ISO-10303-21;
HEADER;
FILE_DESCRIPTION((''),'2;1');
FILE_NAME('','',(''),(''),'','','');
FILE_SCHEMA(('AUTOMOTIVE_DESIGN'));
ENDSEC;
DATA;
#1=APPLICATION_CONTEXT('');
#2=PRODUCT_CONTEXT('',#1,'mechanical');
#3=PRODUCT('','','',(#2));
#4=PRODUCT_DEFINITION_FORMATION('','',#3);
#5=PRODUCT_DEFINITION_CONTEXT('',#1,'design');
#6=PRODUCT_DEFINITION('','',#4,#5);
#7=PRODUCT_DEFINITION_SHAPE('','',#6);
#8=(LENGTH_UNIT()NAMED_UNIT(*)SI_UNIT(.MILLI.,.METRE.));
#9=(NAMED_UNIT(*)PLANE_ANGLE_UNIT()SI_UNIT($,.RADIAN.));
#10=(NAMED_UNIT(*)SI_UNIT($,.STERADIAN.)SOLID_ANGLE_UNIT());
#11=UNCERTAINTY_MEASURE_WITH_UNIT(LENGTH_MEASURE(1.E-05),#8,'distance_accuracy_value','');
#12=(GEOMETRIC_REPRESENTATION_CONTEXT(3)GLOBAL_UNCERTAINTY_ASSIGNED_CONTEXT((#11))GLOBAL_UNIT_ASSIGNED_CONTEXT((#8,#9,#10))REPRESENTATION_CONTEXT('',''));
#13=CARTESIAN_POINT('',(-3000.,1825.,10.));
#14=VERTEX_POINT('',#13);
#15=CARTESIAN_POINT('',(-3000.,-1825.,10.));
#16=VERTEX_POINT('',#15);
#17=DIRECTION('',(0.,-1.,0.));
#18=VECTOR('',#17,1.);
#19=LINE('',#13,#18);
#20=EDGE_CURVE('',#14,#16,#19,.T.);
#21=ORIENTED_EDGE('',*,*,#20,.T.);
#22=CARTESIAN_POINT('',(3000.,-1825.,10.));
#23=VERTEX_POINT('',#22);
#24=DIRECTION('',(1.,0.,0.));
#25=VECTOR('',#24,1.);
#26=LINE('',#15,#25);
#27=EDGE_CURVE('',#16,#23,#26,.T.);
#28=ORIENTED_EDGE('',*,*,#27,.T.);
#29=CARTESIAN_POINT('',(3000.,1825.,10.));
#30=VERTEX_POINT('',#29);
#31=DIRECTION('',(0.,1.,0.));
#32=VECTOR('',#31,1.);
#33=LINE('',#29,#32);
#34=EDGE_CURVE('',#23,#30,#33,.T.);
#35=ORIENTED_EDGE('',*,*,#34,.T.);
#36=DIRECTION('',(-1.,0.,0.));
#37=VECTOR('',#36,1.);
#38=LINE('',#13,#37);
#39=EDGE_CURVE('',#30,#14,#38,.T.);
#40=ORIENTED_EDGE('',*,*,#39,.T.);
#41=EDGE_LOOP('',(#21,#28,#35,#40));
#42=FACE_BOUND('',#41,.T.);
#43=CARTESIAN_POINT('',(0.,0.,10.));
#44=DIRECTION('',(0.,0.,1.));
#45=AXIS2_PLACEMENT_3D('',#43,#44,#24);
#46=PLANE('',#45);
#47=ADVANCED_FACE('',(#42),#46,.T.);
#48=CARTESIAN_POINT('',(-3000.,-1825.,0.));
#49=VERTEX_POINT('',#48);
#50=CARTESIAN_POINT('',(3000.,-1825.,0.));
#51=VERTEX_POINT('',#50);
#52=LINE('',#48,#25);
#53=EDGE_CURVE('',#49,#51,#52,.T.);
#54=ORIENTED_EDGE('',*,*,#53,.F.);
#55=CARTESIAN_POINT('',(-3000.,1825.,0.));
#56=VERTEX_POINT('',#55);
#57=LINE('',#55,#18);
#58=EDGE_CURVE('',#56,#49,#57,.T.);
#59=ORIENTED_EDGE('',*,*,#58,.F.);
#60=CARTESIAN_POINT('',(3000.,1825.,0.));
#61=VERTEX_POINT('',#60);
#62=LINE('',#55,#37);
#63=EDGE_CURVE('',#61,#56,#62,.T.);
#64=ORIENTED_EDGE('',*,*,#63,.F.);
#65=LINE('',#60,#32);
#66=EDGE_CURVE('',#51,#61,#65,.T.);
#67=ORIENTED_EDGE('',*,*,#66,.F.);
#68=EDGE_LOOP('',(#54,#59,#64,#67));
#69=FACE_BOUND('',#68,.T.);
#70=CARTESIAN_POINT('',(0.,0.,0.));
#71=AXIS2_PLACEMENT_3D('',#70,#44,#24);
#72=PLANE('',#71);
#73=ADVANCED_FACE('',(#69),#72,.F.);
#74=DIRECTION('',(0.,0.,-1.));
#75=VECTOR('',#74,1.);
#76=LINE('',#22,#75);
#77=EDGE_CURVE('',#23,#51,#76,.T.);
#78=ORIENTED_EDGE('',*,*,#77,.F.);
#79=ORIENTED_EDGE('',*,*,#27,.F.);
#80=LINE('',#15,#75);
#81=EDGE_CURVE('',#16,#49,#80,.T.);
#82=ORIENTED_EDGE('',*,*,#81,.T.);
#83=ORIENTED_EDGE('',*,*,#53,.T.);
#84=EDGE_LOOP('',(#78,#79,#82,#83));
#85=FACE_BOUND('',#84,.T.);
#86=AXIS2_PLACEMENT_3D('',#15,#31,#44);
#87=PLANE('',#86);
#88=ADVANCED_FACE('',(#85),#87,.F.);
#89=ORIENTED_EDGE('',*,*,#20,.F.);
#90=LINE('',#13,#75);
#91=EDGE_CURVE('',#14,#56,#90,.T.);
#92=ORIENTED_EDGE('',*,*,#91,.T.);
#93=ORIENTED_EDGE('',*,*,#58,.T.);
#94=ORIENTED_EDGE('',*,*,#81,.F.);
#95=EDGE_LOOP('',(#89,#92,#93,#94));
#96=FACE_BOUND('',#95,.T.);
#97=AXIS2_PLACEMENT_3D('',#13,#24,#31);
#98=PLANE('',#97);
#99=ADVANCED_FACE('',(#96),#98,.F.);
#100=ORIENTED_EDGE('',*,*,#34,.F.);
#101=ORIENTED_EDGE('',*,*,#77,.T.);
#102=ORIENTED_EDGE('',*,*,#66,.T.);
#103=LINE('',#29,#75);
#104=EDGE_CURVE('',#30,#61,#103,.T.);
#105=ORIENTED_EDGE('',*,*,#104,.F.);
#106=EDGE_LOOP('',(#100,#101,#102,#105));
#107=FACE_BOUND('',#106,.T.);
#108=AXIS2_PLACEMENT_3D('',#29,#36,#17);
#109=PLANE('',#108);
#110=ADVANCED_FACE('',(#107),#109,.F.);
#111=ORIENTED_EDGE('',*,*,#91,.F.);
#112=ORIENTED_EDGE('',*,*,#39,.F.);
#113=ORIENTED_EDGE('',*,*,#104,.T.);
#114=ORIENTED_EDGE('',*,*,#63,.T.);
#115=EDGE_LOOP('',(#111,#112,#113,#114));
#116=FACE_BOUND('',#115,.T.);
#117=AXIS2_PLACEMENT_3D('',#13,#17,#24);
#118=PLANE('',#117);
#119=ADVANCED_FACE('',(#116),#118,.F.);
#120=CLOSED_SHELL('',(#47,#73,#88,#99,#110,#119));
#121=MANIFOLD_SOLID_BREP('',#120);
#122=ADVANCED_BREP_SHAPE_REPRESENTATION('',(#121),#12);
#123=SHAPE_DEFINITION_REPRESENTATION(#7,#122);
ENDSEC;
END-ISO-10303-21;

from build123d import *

# Parameters (mm, degrees)
CROQUIS1_W              = 6000
CROQUIS1_H              = 3650
SALIENTE_EXTRUIR1_DEPTH = 10


with BuildPart() as part:
    # Croquis1 → Saliente-Extruir1 (new body)
    with BuildSketch(Plane.XY):
        Rectangle(CROQUIS1_W, CROQUIS1_H)
    extrude(amount=SALIENTE_EXTRUIR1_DEPTH)


solid = part.part
